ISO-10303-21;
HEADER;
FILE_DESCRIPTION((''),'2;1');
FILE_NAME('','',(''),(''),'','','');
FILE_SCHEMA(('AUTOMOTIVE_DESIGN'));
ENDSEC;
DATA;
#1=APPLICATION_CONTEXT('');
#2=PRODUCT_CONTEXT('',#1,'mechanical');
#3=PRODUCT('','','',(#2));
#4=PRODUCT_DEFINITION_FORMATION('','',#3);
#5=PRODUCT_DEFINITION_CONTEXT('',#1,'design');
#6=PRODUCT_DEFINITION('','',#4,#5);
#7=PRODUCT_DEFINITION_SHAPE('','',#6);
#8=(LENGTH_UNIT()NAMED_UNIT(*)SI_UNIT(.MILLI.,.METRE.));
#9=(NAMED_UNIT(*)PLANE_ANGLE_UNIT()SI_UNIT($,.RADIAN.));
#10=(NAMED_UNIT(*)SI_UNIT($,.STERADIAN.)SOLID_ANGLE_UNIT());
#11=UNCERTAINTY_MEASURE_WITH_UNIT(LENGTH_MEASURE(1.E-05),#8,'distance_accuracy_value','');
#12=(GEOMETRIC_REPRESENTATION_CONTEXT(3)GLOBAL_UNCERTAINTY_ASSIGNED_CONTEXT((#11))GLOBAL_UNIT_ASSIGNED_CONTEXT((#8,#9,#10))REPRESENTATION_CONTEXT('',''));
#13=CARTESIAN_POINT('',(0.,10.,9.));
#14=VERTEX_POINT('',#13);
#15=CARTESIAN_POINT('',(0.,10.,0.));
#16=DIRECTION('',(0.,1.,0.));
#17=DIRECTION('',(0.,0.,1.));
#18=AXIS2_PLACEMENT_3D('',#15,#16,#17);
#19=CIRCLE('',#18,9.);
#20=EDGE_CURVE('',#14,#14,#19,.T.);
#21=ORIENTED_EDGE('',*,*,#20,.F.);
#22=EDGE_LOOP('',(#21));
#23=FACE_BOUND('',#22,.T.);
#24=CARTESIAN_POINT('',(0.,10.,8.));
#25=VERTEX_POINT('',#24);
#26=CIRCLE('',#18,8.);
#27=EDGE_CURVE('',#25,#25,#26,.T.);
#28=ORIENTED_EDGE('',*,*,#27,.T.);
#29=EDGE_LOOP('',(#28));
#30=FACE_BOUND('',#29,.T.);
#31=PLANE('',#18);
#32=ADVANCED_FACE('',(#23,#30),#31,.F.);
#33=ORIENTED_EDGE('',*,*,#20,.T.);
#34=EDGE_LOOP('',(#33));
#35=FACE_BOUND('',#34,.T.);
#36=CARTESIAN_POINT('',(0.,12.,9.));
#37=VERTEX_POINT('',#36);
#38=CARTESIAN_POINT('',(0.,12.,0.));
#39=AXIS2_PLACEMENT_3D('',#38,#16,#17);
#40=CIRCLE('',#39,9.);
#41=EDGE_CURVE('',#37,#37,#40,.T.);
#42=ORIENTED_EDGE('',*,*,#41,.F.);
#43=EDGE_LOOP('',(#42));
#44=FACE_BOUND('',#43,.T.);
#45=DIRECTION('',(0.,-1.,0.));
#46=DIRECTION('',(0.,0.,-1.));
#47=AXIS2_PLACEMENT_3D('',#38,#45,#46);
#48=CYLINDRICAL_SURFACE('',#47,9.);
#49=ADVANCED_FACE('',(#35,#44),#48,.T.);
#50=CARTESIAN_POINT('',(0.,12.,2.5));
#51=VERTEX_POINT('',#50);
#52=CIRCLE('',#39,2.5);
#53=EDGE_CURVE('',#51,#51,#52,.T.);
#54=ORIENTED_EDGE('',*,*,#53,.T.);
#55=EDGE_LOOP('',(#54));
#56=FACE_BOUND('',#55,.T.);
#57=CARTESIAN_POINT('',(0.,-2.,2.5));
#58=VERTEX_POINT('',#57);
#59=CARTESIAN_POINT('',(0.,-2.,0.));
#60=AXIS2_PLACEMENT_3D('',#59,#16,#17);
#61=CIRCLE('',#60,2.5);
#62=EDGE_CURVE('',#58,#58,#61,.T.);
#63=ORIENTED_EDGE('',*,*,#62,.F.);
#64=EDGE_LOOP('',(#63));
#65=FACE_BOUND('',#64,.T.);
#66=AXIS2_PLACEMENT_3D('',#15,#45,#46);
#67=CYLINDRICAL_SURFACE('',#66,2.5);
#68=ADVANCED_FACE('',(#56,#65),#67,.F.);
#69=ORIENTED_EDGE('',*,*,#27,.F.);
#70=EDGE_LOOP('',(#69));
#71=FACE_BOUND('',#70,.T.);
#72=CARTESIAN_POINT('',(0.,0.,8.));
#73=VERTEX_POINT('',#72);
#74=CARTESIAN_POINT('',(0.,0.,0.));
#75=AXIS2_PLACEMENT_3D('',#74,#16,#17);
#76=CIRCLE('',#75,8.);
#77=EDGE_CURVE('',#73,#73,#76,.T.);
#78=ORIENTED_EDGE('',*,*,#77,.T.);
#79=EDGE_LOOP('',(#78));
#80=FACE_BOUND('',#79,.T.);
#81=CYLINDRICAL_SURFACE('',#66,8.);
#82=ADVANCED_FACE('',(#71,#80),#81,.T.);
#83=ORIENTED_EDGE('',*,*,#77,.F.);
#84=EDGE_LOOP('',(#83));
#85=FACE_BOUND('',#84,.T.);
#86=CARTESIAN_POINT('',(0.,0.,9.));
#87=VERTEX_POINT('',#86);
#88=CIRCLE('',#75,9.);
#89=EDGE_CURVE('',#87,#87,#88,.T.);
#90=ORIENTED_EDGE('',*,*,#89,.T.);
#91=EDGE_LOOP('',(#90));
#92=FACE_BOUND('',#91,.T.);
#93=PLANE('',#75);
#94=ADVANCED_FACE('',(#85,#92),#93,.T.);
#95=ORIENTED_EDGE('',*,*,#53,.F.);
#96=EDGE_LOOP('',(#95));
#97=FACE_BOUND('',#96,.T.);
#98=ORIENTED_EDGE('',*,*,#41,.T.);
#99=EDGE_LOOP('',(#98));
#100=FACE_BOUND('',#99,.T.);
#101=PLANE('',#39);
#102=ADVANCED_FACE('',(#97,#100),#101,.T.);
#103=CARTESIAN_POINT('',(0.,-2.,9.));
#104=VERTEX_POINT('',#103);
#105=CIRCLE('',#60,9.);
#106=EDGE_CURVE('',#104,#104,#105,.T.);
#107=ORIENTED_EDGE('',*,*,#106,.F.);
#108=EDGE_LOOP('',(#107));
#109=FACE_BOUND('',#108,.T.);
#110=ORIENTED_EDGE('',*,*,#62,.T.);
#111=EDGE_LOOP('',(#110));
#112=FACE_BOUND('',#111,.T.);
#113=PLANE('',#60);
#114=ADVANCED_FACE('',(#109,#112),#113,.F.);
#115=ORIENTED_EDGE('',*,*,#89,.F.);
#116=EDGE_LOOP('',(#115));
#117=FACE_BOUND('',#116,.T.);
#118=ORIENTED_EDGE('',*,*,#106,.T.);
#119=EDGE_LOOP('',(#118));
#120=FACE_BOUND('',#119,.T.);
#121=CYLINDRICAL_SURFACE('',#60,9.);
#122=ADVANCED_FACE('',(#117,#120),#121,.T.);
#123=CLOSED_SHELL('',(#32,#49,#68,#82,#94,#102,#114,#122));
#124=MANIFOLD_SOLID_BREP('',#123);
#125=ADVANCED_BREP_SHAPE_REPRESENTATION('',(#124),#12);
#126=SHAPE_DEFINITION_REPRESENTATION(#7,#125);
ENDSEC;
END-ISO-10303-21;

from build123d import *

# Parameters (mm, degrees)
SKETCH_1_R      = 8
SKETCH_1_R_2    = 2.5
EXTRUDE_1_DEPTH = 10
EXTRUDE_START   = -2
SKETCH_1_3_R    = 9
SKETCH_1_3_R_2  = 8
SKETCH_1_3_R_3  = 2.5
EXTRUDE_2_DEPTH = 2
EXTRUDE_START_2 = 10
SKETCH_1_4_R    = 9
SKETCH_1_4_R_2  = 8
SKETCH_1_4_R_3  = 2.5
EXTRUDE_3_DEPTH = 2


with BuildPart() as part:
    # 草图1 → 凸台-拉伸1 (new body)
    with BuildSketch(Plane(origin=(0, 0, 0), x_dir=(1, 0, 0), z_dir=(0, 1, 0))):
        with Locations(Location((0, 0, 0), (0, 0, 270))):
            Circle(SKETCH_1_R)
        with Locations(Location((0, 0, 0), (0, 0, 270))):
            Circle(SKETCH_1_R_2, mode=Mode.SUBTRACT)
    extrude(amount=EXTRUDE_1_DEPTH)

    # 草图1<3> → 凸台-拉伸2 (add)
    # profile 1 of 2: a face of its own
    with BuildSketch(Plane(origin=(0, 0, 0), x_dir=(1, 0, 0), z_dir=(0, 1, 0)).offset(EXTRUDE_START)):
        with Locations(Location((0, 0, 0), (0, 0, 270))):
            Circle(SKETCH_1_3_R)
        with Locations(Location((0, 0, 0), (0, 0, 270))):
            Circle(SKETCH_1_3_R_2, mode=Mode.SUBTRACT)
    # profile 2 of 2: a face of its own
    with BuildSketch(Plane(origin=(0, 0, 0), x_dir=(1, 0, 0), z_dir=(0, 1, 0)).offset(EXTRUDE_START)):
        with Locations(Location((0, 0, 0), (0, 0, 270))):
            Circle(SKETCH_1_3_R_2)
        with Locations(Location((0, 0, 0), (0, 0, 270))):
            Circle(SKETCH_1_3_R_3, mode=Mode.SUBTRACT)
    extrude(amount=EXTRUDE_2_DEPTH)

    # 草图1<4> → 凸台-拉伸3 (add)
    # profile 1 of 2: a face of its own
    with BuildSketch(Plane(origin=(0, 0, 0), x_dir=(1, 0, 0), z_dir=(0, 1, 0)).offset(EXTRUDE_START_2)):
        with Locations(Location((0, 0, 0), (0, 0, 270))):
            Circle(SKETCH_1_4_R)
        with Locations(Location((0, 0, 0), (0, 0, 270))):
            Circle(SKETCH_1_4_R_2, mode=Mode.SUBTRACT)
    # profile 2 of 2: a face of its own
    with BuildSketch(Plane(origin=(0, 0, 0), x_dir=(1, 0, 0), z_dir=(0, 1, 0)).offset(EXTRUDE_START_2)):
        with Locations(Location((0, 0, 0), (0, 0, 270))):
            Circle(SKETCH_1_4_R_2)
        with Locations(Location((0, 0, 0), (0, 0, 270))):
            Circle(SKETCH_1_4_R_3, mode=Mode.SUBTRACT)
    extrude(amount=EXTRUDE_3_DEPTH)


solid = part.part
